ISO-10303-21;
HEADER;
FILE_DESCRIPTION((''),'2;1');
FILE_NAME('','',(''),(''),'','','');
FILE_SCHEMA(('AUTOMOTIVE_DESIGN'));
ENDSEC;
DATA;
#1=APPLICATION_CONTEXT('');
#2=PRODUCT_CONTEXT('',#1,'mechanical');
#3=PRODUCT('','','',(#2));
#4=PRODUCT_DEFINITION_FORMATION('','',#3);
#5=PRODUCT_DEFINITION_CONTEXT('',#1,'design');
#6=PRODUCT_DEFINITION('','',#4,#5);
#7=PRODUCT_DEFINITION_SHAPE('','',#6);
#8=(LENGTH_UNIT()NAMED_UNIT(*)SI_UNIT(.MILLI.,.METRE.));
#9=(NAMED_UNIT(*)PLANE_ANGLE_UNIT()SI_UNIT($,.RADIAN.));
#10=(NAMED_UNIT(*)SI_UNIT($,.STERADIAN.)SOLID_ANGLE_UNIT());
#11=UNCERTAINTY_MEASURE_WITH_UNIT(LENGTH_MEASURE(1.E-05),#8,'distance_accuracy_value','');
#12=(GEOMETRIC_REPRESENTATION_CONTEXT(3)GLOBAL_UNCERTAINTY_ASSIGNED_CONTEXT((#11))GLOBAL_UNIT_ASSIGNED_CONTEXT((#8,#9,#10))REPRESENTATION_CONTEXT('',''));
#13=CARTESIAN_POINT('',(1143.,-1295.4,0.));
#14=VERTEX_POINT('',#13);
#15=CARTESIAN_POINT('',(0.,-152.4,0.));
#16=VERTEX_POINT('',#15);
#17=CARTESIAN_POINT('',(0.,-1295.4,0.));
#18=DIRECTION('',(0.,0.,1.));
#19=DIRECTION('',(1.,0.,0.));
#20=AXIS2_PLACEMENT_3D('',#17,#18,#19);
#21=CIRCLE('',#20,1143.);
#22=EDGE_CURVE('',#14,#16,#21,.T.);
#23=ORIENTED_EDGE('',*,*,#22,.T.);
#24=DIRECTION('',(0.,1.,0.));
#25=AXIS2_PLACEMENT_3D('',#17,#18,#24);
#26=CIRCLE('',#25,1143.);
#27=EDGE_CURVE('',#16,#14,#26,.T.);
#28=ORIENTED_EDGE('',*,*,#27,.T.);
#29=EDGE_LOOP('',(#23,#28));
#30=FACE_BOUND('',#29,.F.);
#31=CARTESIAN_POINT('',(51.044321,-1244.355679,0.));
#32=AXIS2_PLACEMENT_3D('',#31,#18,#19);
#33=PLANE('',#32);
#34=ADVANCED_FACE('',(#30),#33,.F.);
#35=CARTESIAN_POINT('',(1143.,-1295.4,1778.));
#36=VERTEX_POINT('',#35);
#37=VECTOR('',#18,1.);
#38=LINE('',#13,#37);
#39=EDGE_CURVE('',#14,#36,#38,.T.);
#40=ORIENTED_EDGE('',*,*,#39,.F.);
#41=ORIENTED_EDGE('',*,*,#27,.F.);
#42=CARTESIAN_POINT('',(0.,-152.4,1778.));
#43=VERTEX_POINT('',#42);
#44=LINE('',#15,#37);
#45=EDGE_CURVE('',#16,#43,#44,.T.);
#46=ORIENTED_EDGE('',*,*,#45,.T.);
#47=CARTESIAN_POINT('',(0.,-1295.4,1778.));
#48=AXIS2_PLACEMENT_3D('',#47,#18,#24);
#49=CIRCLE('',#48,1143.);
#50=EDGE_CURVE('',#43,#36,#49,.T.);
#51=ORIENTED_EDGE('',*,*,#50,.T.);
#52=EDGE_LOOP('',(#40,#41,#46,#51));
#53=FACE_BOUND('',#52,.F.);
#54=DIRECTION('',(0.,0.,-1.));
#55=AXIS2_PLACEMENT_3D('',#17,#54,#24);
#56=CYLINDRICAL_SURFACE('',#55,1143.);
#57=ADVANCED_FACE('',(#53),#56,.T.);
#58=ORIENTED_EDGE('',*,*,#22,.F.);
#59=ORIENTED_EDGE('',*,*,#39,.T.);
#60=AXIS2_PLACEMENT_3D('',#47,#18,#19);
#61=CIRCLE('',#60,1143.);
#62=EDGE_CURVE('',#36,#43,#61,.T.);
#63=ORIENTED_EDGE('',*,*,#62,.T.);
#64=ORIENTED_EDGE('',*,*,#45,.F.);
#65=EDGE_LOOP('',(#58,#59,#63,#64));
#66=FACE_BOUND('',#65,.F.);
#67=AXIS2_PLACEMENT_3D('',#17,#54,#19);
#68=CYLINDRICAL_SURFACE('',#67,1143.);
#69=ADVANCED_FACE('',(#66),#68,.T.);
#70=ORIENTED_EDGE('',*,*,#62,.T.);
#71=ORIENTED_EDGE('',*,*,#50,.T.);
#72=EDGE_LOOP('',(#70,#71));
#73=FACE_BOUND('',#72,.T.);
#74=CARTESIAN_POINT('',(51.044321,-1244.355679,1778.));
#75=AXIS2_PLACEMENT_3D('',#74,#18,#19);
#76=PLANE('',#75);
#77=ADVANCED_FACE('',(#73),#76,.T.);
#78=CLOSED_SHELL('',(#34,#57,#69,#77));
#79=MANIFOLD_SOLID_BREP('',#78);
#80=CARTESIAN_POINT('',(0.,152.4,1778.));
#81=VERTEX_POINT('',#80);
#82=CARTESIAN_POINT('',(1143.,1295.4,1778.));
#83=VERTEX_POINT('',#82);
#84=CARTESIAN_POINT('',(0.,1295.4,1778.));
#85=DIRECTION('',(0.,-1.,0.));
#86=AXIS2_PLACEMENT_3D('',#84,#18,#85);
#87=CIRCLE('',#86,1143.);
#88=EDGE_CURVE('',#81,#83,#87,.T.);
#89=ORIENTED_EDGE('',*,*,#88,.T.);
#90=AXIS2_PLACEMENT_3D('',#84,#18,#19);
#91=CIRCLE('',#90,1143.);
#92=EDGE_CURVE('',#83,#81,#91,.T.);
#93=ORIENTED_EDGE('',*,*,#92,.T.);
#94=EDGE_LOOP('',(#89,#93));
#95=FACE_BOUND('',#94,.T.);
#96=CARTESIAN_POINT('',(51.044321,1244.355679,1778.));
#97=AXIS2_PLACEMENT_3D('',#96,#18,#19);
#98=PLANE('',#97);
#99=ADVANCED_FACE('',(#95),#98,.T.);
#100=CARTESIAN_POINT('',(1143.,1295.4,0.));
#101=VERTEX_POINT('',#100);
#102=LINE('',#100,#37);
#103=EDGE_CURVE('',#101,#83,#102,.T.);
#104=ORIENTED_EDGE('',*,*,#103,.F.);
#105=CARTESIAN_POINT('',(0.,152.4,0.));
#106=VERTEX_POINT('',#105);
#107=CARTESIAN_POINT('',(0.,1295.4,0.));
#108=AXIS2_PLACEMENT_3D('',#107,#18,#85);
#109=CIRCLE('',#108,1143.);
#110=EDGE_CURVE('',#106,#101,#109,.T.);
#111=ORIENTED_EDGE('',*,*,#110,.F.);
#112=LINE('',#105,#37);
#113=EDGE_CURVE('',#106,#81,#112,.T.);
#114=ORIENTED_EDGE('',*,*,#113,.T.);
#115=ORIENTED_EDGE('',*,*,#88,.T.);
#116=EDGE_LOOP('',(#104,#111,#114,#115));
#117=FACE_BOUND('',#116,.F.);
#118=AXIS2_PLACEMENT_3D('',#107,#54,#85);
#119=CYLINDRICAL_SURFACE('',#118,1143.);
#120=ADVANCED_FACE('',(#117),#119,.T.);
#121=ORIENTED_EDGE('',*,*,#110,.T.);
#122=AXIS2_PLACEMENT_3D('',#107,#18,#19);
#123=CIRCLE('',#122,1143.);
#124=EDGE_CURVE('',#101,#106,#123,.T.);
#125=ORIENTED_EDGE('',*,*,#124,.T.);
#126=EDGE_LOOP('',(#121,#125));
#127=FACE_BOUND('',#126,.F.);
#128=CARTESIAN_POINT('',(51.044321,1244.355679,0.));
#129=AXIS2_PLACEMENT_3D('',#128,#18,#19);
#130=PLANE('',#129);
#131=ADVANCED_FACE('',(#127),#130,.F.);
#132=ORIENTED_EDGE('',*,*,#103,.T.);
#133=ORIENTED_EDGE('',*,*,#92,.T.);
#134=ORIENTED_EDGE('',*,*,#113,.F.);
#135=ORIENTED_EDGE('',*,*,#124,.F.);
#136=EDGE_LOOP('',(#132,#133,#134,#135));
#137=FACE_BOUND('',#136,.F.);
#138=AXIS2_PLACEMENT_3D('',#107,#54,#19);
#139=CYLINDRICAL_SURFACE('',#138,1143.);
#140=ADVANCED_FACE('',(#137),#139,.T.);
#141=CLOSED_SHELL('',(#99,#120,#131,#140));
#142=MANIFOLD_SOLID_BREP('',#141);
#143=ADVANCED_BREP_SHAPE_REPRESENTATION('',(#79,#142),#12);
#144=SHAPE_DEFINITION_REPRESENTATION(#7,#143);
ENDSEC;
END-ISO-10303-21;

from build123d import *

# Parameters (mm, degrees)
F1_DEPTH = 1778


with BuildPart() as f1:
    # F0 (on Top) → F1 (new body)
    with BuildSketch(Plane.XY):
        with BuildLine():
            ThreePointArc((1143, 1295.4), (-808.223051, 2103.623051), (0, 152.4))
            ThreePointArc((0, 152.4), (808.223051, 487.176949), (1143, 1295.4))
        make_face()
        with BuildLine():
            ThreePointArc((1143, -1295.4), (808.223051, -487.176949), (0, -152.4))
            ThreePointArc((0, -152.4), (-808.223051, -2103.623051), (1143, -1295.4))
        make_face()
    extrude(amount=F1_DEPTH)


solid = f1.part
